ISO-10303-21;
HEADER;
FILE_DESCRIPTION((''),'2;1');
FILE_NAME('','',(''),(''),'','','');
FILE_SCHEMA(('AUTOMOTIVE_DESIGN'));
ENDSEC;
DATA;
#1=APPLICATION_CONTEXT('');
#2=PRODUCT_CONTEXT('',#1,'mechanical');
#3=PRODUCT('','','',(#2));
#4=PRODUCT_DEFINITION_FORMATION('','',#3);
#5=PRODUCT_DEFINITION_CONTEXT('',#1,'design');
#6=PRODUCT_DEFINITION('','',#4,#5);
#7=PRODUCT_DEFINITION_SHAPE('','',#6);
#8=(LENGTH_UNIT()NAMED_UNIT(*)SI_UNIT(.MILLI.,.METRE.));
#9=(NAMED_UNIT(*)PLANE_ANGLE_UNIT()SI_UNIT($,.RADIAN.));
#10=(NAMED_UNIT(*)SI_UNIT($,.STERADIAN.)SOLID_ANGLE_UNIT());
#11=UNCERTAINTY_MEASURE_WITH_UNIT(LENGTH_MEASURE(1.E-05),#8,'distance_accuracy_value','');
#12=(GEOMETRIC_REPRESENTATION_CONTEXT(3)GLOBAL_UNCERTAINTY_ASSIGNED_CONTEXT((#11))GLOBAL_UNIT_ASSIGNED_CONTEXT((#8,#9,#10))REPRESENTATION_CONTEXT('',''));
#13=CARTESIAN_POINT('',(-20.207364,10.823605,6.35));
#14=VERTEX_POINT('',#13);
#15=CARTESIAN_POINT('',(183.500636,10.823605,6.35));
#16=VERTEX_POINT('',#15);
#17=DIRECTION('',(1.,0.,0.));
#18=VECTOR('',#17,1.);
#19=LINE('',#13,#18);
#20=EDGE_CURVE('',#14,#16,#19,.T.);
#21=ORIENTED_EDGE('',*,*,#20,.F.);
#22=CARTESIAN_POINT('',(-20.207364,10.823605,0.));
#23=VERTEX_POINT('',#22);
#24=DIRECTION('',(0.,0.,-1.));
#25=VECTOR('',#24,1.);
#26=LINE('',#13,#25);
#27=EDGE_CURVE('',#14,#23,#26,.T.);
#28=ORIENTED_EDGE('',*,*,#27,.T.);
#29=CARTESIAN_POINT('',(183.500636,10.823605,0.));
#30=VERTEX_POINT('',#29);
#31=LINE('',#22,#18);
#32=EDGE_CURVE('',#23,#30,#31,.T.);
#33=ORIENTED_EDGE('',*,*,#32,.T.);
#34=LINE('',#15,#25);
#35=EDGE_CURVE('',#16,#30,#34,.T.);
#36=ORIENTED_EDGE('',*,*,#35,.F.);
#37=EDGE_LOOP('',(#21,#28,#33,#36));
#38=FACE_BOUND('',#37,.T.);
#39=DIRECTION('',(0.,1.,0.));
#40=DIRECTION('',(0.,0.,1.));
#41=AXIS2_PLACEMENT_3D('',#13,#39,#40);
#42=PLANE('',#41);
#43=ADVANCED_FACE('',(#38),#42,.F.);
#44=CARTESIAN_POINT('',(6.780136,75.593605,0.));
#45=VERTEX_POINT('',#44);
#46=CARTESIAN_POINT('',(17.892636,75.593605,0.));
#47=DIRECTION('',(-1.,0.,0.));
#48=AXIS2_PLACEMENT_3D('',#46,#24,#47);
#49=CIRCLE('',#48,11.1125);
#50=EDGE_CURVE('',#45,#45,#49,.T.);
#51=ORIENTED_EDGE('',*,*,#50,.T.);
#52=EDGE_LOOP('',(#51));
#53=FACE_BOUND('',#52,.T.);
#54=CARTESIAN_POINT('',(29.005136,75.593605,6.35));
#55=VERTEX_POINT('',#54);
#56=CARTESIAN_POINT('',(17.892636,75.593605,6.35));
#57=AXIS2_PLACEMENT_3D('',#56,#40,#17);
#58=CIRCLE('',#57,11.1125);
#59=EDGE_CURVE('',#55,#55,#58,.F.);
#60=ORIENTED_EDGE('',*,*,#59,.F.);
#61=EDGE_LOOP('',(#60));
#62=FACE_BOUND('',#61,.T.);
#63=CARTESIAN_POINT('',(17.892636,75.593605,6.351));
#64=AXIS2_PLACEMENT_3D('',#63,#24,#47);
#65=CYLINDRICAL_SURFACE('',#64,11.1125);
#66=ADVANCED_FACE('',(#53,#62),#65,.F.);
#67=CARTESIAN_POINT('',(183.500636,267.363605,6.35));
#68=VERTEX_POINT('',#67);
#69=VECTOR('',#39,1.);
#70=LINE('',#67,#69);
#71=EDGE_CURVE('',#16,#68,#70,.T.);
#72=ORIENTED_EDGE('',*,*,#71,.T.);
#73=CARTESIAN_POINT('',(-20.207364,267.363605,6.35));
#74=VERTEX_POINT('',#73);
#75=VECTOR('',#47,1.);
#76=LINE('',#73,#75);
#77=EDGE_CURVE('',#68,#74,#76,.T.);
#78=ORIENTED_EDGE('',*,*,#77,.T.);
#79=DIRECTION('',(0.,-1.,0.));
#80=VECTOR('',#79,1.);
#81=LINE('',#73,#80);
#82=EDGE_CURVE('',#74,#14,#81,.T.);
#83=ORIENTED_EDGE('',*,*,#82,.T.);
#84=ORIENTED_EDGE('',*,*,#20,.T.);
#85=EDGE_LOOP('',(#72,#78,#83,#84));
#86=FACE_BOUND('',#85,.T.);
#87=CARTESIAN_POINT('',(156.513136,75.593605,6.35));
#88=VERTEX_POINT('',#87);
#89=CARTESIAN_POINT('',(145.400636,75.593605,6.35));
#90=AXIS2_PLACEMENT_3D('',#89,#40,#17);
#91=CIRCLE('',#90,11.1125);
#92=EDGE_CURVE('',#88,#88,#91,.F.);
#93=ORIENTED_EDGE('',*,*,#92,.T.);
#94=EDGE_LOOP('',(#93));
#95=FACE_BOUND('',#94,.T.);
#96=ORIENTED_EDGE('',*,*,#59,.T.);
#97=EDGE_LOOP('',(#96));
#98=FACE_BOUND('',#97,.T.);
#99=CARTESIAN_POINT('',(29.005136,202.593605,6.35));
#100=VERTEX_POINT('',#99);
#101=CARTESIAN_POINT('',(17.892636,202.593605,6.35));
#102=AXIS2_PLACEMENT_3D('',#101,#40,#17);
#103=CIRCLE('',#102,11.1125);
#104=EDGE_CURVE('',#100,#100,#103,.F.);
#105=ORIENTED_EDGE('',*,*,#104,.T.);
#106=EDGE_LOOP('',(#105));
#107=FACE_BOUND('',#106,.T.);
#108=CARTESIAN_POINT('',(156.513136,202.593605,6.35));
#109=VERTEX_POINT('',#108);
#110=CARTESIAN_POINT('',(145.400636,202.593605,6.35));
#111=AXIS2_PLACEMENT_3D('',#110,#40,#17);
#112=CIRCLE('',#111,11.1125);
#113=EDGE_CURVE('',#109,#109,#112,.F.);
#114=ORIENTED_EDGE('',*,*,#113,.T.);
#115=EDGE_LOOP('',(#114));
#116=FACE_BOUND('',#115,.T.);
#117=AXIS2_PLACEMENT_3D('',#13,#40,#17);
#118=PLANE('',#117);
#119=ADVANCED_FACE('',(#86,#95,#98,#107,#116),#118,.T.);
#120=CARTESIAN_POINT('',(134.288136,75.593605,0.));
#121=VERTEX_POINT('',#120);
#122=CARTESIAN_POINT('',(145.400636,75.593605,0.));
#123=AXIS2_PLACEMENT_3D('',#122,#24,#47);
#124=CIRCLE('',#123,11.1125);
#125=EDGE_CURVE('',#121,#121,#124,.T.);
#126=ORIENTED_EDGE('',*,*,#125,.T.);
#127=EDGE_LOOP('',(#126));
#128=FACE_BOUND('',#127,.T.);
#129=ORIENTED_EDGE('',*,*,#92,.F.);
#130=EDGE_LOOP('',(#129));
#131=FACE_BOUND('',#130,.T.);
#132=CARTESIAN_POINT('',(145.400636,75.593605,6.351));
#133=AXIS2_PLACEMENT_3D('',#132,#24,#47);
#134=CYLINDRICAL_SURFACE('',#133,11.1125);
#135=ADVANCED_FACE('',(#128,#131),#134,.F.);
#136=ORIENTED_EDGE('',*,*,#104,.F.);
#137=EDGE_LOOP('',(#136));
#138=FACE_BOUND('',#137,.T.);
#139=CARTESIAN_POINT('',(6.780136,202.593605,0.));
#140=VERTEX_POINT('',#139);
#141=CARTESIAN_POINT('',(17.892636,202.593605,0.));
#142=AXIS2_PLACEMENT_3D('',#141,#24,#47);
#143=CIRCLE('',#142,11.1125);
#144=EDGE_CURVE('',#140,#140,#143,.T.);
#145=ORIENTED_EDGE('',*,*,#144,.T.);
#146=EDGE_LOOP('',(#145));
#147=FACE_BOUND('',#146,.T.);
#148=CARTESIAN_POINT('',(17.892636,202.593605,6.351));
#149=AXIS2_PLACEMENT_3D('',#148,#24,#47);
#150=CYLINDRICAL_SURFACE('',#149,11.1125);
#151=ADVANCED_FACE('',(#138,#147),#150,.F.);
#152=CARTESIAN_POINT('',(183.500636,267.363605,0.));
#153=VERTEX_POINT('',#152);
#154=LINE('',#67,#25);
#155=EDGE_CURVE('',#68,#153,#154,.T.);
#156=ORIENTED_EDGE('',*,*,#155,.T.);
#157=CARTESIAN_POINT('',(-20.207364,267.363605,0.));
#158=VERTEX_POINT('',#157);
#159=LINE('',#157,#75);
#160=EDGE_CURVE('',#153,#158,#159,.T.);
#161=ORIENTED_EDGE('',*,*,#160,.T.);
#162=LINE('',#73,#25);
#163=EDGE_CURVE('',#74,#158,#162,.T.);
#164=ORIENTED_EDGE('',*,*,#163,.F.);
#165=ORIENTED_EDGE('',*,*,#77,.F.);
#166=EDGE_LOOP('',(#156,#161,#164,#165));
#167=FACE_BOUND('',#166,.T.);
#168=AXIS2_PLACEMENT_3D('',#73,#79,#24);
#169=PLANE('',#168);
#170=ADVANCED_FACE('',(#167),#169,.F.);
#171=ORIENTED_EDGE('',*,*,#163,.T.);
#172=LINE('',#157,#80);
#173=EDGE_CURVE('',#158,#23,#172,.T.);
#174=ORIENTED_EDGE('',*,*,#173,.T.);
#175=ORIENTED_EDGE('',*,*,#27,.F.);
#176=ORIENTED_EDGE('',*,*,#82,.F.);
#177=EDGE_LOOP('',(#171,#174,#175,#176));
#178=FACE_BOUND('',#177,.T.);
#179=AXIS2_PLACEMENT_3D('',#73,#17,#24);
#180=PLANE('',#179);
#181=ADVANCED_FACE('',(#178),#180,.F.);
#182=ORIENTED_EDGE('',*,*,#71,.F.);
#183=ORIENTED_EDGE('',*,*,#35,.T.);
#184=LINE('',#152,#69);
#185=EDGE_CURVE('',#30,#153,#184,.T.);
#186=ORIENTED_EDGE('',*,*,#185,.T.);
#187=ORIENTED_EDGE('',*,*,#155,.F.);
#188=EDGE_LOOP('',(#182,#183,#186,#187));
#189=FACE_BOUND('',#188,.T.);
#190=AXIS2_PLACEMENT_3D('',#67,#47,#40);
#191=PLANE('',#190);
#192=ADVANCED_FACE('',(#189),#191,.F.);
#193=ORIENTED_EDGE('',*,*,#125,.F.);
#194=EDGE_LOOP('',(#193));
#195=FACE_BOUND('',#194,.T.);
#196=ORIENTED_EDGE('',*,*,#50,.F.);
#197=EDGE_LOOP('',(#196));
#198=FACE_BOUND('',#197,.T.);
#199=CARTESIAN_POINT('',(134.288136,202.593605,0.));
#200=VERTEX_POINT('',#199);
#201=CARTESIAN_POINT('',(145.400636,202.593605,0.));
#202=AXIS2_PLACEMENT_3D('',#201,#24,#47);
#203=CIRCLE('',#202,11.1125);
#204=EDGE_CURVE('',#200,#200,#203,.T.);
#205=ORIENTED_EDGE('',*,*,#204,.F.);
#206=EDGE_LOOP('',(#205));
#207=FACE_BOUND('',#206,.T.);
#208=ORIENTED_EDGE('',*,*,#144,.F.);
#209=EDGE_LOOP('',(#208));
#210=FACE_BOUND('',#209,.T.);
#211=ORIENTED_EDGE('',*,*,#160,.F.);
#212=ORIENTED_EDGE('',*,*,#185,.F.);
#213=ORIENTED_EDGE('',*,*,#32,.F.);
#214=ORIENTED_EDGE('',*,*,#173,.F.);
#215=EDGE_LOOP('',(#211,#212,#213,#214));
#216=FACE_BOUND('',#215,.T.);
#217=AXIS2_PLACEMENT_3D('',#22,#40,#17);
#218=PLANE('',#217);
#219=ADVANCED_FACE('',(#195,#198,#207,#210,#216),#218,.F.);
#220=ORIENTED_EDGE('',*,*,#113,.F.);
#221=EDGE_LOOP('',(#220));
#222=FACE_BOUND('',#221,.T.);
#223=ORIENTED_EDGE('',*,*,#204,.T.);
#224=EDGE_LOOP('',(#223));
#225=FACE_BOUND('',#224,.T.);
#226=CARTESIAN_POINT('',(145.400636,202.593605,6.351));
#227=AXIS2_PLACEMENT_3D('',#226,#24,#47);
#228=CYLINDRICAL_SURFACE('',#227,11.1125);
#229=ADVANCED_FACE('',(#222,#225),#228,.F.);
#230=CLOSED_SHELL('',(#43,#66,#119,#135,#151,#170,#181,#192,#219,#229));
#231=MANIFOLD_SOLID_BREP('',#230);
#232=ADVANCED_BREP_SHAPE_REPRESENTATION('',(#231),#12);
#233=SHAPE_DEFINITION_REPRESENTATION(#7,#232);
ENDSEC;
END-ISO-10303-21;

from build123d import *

# Parameters (mm, degrees)
SKETCH1_W           = 203.708
SKETCH1_H           = 256.54
BOSS_EXTRUDE1_DEPTH = 6.35
CUT_EXTRUDE1_REACH  = 326.339
SKETCH2_R           = 11.1125


with BuildPart() as part:
    # Sketch1 → Boss-Extrude1 (new body)
    with BuildSketch(Plane.XY):
        with Locations((81.646636302, 139.093604852)):
            Rectangle(SKETCH1_W, SKETCH1_H)
    extrude(amount=BOSS_EXTRUDE1_DEPTH)

    # Sketch2 → Cut-Extrude1 (cut, up to next)
    with BuildSketch(Plane(origin=(0, 0, 0), x_dir=(-1, 0, 0), z_dir=(0, 0, -1)), mode=Mode.PRIVATE) as cut_extrude1_sk1:
        with Locations((-145.400636302, 202.593604852)):
            Circle(SKETCH2_R)
    cut_extrude1_tool1 = extrude(cut_extrude1_sk1.sketch, amount=-CUT_EXTRUDE1_REACH, mode=Mode.PRIVATE) & part.part
    # Sketch2 → Cut-Extrude1 (cut, up to next)
    with BuildSketch(Plane(origin=(0, 0, 0), x_dir=(-1, 0, 0), z_dir=(0, 0, -1)), mode=Mode.PRIVATE) as cut_extrude1_sk2:
        with Locations((-145.400636302, 75.593604852)):
            Circle(SKETCH2_R)
    cut_extrude1_tool2 = extrude(cut_extrude1_sk2.sketch, amount=-CUT_EXTRUDE1_REACH, mode=Mode.PRIVATE) & part.part
    # Sketch2 → Cut-Extrude1 (cut, up to next)
    with BuildSketch(Plane(origin=(0, 0, 0), x_dir=(-1, 0, 0), z_dir=(0, 0, -1)), mode=Mode.PRIVATE) as cut_extrude1_sk3:
        with Locations((-17.892636302, 202.593604852)):
            Circle(SKETCH2_R)
    cut_extrude1_tool3 = extrude(cut_extrude1_sk3.sketch, amount=-CUT_EXTRUDE1_REACH, mode=Mode.PRIVATE) & part.part
    # Sketch2 → Cut-Extrude1 (cut, up to next)
    with BuildSketch(Plane(origin=(0, 0, 0), x_dir=(-1, 0, 0), z_dir=(0, 0, -1)), mode=Mode.PRIVATE) as cut_extrude1_sk4:
        with Locations((-17.892636302, 75.593604852)):
            Circle(SKETCH2_R)
    cut_extrude1_tool4 = extrude(cut_extrude1_sk4.sketch, amount=-CUT_EXTRUDE1_REACH, mode=Mode.PRIVATE) & part.part
    add(cut_extrude1_tool1.solids().sort_by_distance((145.400636, 202.593605, 0))[0], mode=Mode.SUBTRACT)
    add(cut_extrude1_tool2.solids().sort_by_distance((145.400636, 75.593605, 0))[0], mode=Mode.SUBTRACT)
    add(cut_extrude1_tool3.solids().sort_by_distance((17.892636, 202.593605, 0))[0], mode=Mode.SUBTRACT)
    add(cut_extrude1_tool4.solids().sort_by_distance((17.892636, 75.593605, 0))[0], mode=Mode.SUBTRACT)


solid = part.part
